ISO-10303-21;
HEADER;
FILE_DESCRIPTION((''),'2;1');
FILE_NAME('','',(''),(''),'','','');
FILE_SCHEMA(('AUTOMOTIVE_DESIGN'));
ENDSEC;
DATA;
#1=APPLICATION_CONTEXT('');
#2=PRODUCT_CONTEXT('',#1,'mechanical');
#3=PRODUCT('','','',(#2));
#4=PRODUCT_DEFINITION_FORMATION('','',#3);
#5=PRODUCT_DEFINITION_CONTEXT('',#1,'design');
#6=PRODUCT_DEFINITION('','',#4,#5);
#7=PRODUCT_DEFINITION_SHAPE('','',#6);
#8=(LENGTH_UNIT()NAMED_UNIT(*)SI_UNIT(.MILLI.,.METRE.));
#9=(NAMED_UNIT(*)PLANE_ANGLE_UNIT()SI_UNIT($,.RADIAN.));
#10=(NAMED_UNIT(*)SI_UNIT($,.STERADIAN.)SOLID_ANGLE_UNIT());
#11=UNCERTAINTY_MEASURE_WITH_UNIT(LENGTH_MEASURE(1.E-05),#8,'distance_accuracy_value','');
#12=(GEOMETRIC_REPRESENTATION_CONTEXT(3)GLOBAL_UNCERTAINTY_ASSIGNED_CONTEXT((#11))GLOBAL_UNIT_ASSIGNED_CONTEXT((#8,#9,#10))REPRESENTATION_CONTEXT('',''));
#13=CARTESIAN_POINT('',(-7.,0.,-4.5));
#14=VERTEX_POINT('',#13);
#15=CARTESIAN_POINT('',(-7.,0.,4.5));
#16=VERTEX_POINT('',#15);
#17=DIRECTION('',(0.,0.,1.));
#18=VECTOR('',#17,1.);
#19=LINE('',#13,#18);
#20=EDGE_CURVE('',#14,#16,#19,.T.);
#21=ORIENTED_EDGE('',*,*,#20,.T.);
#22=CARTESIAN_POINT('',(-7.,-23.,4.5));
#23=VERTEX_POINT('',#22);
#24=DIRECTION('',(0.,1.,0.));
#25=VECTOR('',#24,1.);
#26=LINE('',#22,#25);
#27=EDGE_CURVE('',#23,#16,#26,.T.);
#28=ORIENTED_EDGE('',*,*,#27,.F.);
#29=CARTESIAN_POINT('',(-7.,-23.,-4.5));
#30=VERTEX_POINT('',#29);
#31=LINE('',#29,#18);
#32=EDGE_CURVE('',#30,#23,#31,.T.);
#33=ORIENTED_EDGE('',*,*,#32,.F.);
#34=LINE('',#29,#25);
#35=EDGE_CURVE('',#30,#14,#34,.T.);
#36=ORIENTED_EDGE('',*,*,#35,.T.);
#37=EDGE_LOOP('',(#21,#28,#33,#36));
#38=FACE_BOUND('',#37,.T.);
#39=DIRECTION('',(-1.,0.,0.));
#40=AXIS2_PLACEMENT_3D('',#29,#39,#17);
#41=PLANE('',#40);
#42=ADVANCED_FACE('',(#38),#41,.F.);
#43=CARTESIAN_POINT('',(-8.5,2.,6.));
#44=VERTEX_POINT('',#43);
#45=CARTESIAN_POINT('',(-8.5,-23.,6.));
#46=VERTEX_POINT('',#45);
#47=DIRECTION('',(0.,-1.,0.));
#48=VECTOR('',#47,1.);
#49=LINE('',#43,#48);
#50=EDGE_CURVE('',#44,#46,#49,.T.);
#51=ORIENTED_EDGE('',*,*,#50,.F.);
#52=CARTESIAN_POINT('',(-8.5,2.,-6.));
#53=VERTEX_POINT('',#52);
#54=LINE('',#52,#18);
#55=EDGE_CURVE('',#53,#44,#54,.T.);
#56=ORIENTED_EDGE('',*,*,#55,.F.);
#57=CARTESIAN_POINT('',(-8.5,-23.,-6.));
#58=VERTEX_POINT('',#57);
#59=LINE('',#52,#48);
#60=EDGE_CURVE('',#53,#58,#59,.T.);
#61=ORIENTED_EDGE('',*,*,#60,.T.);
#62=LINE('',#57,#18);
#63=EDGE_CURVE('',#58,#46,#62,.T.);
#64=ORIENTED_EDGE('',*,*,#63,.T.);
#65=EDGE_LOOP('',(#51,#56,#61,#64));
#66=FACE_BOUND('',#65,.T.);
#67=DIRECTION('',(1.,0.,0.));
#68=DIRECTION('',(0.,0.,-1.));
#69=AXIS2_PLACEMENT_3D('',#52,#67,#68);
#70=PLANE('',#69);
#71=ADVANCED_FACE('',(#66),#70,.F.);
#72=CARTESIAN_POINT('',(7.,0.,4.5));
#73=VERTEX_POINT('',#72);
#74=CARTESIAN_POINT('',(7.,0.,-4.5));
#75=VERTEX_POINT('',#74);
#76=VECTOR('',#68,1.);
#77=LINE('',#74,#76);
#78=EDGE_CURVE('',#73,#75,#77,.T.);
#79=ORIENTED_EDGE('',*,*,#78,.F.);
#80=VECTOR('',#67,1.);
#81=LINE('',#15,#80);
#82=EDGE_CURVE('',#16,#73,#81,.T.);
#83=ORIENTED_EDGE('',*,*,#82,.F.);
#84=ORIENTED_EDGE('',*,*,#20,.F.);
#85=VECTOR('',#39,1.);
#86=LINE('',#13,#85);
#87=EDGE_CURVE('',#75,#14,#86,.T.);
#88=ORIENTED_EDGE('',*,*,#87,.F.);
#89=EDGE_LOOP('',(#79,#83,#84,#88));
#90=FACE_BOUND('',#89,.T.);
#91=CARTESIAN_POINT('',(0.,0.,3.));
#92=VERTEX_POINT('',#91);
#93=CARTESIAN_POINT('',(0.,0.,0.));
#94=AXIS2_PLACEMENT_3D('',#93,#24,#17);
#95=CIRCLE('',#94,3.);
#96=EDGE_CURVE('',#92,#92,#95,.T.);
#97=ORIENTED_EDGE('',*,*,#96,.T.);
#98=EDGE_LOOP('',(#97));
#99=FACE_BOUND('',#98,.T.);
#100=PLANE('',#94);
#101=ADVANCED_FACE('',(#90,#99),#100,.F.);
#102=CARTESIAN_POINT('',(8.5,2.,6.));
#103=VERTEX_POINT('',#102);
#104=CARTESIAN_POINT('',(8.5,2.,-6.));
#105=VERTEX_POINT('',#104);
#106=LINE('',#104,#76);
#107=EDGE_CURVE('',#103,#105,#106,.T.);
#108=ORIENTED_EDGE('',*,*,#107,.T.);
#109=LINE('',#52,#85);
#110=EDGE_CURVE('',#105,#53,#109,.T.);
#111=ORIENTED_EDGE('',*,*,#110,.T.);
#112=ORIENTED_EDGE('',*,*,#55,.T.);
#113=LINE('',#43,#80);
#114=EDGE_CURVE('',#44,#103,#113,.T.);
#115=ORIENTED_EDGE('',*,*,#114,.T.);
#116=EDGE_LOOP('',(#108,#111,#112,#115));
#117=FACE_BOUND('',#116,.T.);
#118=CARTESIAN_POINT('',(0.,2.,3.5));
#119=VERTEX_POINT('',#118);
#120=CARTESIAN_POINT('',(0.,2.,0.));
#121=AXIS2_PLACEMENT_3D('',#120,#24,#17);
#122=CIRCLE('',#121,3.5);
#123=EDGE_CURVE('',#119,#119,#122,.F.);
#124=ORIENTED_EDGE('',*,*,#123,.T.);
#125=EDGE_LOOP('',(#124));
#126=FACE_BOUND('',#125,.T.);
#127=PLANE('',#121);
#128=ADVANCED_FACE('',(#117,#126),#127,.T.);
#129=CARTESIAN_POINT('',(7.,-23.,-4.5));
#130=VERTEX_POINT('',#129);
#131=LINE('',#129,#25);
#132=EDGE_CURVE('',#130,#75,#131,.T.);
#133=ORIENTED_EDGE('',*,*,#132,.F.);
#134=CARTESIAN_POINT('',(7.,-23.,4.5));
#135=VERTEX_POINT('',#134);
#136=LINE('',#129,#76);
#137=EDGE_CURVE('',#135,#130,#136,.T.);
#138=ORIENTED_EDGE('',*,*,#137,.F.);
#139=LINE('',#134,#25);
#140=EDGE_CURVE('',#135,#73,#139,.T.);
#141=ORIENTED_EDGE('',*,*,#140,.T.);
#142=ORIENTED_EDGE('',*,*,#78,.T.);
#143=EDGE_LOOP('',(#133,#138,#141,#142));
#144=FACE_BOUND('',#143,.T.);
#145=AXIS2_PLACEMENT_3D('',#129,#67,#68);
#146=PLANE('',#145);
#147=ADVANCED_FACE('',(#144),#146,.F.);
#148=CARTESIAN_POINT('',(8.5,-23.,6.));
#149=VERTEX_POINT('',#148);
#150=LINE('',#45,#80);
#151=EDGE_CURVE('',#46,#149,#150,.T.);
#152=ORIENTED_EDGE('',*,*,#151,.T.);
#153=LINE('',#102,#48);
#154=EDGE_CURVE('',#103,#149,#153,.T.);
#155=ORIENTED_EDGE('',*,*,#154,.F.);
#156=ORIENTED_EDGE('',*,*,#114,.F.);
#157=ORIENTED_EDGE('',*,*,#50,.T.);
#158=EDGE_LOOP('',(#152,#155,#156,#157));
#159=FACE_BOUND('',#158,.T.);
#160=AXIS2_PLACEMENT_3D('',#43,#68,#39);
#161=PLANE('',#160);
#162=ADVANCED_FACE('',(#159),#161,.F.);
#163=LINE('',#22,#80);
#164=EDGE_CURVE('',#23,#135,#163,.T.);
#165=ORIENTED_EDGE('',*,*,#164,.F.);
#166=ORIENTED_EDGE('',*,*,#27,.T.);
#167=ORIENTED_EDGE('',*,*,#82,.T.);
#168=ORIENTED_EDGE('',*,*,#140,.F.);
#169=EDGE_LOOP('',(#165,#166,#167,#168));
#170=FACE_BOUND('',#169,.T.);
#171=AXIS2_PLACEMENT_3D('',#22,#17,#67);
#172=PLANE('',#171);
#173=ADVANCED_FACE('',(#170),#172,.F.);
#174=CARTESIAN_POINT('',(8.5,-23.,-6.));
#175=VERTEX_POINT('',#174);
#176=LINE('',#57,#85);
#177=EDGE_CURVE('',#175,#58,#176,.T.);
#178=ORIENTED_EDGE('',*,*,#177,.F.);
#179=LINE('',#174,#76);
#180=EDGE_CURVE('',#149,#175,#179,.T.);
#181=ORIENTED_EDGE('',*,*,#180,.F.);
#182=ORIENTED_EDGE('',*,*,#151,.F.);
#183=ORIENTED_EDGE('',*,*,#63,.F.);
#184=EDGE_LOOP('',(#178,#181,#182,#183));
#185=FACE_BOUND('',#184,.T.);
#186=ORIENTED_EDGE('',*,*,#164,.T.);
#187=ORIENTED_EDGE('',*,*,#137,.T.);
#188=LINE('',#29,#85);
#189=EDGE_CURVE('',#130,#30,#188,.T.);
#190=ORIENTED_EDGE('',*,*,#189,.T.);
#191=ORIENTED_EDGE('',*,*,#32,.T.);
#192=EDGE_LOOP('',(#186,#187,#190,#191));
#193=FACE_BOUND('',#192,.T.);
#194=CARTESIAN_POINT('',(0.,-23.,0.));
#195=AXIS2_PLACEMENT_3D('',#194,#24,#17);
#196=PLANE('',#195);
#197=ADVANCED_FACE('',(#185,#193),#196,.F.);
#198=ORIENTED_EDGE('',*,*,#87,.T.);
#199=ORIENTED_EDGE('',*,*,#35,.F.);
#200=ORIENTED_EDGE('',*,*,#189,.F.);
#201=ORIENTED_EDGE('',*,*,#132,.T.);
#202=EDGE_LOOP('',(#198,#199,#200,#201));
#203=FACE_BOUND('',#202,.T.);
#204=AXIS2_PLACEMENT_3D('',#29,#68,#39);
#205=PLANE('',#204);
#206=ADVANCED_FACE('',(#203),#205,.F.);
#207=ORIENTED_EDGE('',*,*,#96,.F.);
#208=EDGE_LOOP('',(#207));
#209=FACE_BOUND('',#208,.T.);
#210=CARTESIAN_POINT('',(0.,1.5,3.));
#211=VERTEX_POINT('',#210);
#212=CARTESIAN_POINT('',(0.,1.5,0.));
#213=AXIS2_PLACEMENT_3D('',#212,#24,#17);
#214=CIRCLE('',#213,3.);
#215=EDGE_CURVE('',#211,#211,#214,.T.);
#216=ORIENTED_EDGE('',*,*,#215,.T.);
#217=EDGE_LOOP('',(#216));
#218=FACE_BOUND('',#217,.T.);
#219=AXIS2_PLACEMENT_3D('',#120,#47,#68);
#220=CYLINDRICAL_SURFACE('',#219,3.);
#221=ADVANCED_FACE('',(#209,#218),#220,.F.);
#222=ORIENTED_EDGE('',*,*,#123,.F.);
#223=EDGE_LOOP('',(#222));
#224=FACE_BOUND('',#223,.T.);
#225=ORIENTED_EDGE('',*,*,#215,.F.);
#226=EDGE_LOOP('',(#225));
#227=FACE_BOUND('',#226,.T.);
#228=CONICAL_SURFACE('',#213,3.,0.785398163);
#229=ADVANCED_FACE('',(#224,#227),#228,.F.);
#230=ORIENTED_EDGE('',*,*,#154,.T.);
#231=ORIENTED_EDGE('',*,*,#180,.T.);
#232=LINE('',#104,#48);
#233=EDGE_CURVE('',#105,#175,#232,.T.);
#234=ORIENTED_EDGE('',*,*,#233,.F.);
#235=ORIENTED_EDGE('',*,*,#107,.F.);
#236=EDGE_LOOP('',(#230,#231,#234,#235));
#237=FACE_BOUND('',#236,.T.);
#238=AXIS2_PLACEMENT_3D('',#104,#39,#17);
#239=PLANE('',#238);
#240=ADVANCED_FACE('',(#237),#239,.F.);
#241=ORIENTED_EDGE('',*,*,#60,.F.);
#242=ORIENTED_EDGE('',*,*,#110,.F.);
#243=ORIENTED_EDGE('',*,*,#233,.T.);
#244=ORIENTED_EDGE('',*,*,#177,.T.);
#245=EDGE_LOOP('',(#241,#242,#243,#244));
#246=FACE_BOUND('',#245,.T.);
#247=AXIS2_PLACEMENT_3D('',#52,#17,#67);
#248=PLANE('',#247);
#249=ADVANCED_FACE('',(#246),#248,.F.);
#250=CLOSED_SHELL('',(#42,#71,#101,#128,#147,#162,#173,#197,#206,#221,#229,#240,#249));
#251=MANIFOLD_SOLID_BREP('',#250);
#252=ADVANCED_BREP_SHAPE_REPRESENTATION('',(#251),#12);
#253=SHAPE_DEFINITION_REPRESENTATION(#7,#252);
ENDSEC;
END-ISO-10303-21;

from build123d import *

# Parameters (mm, degrees)
SKETCH1_W           = 17
SKETCH1_H           = 12
SKETCH1_R           = 3
BOSS_EXTRUDE1_DEPTH = 2
SKETCH2_W           = 17
SKETCH2_H           = 12
SKETCH2_W_2         = 14
SKETCH2_H_2         = 9
BOSS_EXTRUDE2_DEPTH = 23
CHAMFER1_SIZE       = 0.5


with BuildPart() as part:
    # Sketch1 → Boss-Extrude1 (new body)
    with BuildSketch(Plane(origin=(0, 0, 0), x_dir=(1, 0, 0), z_dir=(0, 1, 0))):
        Rectangle(SKETCH1_W, SKETCH1_H)
        with Locations(Location((0, 0, 0), (0, 0, 270))):
            Circle(SKETCH1_R, mode=Mode.SUBTRACT)
    extrude(amount=BOSS_EXTRUDE1_DEPTH)

    # Sketch2 → Boss-Extrude2 (add)
    with BuildSketch(Plane(origin=(0, 0, 0), x_dir=(1, 0, 0), z_dir=(0, 1, 0))):
        Rectangle(SKETCH2_W, SKETCH2_H)
        Rectangle(SKETCH2_W_2, SKETCH2_H_2, mode=Mode.SUBTRACT)
    extrude(amount=-BOSS_EXTRUDE2_DEPTH)

    # Chamfer1
    chamfer1_edges = [part.edges().sort_by_distance(p)[0] for p in [
        (0, 2, -3),
    ]]
    chamfer(chamfer1_edges, length=CHAMFER1_SIZE)


solid = part.part
